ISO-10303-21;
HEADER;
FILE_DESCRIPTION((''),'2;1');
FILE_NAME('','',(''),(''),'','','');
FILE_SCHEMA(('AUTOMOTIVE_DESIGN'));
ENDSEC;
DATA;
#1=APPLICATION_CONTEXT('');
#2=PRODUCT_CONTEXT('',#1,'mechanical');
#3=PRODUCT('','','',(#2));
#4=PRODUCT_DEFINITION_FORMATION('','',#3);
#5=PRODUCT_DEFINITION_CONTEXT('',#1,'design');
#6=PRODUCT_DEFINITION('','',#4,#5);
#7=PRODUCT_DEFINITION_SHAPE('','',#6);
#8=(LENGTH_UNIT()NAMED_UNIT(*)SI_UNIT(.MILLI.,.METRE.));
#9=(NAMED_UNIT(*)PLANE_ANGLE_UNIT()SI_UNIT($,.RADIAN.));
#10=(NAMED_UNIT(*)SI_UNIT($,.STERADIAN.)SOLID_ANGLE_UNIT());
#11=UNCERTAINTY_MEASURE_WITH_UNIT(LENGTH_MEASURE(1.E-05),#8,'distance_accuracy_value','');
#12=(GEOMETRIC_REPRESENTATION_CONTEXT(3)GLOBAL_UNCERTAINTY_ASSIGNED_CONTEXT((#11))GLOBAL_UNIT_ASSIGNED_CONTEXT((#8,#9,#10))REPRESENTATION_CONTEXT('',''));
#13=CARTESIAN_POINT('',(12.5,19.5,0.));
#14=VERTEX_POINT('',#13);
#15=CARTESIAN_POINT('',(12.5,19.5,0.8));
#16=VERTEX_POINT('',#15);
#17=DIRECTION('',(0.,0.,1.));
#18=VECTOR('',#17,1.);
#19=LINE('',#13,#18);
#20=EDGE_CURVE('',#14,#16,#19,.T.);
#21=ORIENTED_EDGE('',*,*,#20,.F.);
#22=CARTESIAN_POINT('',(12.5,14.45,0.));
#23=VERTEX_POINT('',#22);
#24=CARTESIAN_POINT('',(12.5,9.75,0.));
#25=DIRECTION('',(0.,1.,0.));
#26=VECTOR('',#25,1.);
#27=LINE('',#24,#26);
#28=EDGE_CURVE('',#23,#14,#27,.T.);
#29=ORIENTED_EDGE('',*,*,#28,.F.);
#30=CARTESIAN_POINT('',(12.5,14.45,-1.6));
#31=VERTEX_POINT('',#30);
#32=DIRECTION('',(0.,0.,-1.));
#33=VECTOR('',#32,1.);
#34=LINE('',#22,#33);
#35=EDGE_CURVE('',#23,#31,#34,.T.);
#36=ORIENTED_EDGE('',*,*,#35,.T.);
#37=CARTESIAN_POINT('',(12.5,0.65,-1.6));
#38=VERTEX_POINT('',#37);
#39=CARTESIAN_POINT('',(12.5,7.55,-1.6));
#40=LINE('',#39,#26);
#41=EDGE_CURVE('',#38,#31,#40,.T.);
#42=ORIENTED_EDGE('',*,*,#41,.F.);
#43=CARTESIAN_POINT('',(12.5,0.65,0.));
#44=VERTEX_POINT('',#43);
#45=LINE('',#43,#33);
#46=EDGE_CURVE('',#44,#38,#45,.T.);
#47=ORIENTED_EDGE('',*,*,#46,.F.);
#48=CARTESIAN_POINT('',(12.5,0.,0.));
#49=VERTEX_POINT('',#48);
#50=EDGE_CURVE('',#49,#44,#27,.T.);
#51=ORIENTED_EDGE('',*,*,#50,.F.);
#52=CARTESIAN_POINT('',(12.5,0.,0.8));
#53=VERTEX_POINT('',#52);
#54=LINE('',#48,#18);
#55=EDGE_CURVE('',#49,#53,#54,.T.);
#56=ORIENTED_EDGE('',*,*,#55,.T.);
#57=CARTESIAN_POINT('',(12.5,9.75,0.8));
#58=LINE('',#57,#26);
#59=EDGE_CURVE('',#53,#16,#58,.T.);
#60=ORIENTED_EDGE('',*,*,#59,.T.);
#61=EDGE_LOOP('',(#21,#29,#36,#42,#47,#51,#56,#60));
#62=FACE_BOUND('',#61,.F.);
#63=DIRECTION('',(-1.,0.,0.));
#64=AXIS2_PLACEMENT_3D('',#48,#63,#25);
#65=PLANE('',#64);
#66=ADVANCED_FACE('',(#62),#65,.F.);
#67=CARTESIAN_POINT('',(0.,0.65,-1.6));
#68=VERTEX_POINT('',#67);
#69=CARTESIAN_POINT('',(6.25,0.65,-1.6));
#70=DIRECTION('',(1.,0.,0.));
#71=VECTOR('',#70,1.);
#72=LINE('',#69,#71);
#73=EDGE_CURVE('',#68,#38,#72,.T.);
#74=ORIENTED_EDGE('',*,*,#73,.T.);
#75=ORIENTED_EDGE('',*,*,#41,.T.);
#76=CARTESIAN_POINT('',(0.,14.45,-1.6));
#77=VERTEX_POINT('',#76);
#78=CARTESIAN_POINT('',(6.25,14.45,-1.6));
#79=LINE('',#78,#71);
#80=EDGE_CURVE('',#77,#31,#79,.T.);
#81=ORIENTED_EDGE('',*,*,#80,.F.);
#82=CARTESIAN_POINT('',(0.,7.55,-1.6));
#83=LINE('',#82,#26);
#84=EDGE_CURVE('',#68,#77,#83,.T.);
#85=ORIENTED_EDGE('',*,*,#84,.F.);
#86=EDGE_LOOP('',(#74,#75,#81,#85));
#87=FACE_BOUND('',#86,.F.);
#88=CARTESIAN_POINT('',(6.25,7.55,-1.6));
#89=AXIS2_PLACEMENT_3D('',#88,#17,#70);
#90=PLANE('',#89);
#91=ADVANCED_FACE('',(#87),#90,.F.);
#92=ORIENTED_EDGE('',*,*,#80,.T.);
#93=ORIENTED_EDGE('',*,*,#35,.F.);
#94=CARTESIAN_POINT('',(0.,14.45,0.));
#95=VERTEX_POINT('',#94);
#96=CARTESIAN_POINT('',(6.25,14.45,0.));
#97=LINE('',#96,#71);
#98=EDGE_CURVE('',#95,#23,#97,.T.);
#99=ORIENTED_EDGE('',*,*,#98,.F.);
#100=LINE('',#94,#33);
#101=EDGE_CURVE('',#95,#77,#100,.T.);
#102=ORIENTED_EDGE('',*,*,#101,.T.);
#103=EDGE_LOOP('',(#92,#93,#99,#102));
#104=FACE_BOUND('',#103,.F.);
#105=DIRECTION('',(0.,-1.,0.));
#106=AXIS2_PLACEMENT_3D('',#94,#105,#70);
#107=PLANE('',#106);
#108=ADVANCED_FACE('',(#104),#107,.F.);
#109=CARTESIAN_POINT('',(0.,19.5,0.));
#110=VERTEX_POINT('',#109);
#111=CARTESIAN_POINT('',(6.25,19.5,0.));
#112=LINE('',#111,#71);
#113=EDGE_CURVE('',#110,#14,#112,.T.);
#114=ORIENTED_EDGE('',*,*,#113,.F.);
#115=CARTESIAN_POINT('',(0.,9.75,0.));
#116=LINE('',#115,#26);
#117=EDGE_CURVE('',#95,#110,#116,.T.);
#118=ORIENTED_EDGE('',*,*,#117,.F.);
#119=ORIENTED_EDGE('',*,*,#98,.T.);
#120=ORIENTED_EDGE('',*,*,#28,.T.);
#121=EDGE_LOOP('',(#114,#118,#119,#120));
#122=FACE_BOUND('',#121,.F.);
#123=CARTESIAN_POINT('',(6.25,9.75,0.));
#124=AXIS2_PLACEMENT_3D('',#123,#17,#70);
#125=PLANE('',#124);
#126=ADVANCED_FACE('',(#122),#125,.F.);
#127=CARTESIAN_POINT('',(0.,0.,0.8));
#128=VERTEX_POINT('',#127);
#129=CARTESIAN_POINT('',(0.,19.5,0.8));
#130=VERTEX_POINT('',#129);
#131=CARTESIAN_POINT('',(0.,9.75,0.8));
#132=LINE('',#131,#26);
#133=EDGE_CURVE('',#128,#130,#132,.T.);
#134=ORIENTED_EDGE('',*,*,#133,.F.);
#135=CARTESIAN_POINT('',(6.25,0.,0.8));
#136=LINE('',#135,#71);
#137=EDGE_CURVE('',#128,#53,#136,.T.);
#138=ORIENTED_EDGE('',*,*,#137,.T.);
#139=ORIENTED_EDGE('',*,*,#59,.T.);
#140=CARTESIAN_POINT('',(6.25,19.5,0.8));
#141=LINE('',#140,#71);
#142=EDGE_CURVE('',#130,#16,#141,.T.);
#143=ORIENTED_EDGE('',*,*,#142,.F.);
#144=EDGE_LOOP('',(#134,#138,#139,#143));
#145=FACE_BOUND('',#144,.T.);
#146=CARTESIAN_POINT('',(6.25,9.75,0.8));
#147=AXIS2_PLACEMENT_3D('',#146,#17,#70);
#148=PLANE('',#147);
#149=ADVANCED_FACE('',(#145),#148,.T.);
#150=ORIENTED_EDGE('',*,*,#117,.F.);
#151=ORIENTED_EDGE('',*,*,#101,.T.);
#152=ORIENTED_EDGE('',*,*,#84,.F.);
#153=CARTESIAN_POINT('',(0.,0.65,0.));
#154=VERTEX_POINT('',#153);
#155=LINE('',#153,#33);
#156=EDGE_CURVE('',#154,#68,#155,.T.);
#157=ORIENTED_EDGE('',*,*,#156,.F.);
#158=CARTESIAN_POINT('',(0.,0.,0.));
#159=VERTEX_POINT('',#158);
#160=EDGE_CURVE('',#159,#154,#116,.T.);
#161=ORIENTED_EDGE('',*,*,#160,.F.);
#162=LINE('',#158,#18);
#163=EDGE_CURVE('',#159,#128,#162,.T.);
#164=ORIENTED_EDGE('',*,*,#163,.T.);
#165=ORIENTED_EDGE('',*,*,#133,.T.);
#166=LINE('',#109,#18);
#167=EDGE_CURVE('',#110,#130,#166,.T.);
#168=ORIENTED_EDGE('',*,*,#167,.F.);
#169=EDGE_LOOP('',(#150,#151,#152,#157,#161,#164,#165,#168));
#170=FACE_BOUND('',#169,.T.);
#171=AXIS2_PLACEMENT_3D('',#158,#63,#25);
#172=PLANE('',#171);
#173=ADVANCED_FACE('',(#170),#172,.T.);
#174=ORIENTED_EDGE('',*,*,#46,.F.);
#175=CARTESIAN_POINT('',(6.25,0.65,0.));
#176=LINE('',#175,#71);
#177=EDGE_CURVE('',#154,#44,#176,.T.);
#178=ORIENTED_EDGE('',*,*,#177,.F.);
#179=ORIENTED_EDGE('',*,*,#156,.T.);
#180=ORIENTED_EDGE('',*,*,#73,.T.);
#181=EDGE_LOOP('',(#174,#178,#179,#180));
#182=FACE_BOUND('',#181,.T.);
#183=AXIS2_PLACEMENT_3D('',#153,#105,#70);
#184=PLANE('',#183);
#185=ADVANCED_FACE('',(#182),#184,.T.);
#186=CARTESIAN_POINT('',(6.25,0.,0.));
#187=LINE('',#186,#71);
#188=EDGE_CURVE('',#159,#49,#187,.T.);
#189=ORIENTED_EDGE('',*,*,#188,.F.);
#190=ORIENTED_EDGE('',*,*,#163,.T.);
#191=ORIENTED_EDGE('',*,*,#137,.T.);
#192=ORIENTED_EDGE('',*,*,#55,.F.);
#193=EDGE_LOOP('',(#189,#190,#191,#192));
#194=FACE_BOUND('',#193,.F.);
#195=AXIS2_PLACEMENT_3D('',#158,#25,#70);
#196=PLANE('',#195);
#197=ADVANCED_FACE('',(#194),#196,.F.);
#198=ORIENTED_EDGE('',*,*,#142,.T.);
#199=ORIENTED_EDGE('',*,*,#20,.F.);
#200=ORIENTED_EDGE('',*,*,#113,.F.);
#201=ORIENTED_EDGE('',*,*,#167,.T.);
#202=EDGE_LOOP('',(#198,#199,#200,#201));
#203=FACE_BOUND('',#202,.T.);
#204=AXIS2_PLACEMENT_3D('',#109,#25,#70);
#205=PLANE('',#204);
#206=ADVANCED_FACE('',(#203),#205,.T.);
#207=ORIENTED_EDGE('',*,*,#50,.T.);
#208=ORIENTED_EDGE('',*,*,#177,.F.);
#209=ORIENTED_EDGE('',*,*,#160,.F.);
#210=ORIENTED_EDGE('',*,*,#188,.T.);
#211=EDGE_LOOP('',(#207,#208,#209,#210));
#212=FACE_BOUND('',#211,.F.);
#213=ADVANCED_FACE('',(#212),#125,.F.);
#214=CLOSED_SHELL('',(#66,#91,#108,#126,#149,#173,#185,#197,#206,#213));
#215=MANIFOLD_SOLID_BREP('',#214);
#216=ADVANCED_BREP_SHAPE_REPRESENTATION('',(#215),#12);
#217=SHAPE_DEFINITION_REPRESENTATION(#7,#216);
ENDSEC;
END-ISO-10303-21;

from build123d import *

# Parameters (mm, degrees)
F0_W     = 12.5
F0_H     = 19.5
F2_DEPTH = 0.8
F1_W     = 12.5
F1_H     = 13.8
F3_DEPTH = 1.6


with BuildPart() as f2:
    # F0 (on Top) → F2 (new body)
    with BuildSketch(Plane.XY):
        with Locations((6.25, 9.75)):
            Rectangle(F0_W, F0_H)
    extrude(amount=F2_DEPTH)

    # F1 (on face) → F3 (join)
    with BuildSketch(Plane.XY):
        with Locations((6.25, 7.55)):
            Rectangle(F1_W, F1_H)
    extrude(amount=-F3_DEPTH)


solid = f2.part
